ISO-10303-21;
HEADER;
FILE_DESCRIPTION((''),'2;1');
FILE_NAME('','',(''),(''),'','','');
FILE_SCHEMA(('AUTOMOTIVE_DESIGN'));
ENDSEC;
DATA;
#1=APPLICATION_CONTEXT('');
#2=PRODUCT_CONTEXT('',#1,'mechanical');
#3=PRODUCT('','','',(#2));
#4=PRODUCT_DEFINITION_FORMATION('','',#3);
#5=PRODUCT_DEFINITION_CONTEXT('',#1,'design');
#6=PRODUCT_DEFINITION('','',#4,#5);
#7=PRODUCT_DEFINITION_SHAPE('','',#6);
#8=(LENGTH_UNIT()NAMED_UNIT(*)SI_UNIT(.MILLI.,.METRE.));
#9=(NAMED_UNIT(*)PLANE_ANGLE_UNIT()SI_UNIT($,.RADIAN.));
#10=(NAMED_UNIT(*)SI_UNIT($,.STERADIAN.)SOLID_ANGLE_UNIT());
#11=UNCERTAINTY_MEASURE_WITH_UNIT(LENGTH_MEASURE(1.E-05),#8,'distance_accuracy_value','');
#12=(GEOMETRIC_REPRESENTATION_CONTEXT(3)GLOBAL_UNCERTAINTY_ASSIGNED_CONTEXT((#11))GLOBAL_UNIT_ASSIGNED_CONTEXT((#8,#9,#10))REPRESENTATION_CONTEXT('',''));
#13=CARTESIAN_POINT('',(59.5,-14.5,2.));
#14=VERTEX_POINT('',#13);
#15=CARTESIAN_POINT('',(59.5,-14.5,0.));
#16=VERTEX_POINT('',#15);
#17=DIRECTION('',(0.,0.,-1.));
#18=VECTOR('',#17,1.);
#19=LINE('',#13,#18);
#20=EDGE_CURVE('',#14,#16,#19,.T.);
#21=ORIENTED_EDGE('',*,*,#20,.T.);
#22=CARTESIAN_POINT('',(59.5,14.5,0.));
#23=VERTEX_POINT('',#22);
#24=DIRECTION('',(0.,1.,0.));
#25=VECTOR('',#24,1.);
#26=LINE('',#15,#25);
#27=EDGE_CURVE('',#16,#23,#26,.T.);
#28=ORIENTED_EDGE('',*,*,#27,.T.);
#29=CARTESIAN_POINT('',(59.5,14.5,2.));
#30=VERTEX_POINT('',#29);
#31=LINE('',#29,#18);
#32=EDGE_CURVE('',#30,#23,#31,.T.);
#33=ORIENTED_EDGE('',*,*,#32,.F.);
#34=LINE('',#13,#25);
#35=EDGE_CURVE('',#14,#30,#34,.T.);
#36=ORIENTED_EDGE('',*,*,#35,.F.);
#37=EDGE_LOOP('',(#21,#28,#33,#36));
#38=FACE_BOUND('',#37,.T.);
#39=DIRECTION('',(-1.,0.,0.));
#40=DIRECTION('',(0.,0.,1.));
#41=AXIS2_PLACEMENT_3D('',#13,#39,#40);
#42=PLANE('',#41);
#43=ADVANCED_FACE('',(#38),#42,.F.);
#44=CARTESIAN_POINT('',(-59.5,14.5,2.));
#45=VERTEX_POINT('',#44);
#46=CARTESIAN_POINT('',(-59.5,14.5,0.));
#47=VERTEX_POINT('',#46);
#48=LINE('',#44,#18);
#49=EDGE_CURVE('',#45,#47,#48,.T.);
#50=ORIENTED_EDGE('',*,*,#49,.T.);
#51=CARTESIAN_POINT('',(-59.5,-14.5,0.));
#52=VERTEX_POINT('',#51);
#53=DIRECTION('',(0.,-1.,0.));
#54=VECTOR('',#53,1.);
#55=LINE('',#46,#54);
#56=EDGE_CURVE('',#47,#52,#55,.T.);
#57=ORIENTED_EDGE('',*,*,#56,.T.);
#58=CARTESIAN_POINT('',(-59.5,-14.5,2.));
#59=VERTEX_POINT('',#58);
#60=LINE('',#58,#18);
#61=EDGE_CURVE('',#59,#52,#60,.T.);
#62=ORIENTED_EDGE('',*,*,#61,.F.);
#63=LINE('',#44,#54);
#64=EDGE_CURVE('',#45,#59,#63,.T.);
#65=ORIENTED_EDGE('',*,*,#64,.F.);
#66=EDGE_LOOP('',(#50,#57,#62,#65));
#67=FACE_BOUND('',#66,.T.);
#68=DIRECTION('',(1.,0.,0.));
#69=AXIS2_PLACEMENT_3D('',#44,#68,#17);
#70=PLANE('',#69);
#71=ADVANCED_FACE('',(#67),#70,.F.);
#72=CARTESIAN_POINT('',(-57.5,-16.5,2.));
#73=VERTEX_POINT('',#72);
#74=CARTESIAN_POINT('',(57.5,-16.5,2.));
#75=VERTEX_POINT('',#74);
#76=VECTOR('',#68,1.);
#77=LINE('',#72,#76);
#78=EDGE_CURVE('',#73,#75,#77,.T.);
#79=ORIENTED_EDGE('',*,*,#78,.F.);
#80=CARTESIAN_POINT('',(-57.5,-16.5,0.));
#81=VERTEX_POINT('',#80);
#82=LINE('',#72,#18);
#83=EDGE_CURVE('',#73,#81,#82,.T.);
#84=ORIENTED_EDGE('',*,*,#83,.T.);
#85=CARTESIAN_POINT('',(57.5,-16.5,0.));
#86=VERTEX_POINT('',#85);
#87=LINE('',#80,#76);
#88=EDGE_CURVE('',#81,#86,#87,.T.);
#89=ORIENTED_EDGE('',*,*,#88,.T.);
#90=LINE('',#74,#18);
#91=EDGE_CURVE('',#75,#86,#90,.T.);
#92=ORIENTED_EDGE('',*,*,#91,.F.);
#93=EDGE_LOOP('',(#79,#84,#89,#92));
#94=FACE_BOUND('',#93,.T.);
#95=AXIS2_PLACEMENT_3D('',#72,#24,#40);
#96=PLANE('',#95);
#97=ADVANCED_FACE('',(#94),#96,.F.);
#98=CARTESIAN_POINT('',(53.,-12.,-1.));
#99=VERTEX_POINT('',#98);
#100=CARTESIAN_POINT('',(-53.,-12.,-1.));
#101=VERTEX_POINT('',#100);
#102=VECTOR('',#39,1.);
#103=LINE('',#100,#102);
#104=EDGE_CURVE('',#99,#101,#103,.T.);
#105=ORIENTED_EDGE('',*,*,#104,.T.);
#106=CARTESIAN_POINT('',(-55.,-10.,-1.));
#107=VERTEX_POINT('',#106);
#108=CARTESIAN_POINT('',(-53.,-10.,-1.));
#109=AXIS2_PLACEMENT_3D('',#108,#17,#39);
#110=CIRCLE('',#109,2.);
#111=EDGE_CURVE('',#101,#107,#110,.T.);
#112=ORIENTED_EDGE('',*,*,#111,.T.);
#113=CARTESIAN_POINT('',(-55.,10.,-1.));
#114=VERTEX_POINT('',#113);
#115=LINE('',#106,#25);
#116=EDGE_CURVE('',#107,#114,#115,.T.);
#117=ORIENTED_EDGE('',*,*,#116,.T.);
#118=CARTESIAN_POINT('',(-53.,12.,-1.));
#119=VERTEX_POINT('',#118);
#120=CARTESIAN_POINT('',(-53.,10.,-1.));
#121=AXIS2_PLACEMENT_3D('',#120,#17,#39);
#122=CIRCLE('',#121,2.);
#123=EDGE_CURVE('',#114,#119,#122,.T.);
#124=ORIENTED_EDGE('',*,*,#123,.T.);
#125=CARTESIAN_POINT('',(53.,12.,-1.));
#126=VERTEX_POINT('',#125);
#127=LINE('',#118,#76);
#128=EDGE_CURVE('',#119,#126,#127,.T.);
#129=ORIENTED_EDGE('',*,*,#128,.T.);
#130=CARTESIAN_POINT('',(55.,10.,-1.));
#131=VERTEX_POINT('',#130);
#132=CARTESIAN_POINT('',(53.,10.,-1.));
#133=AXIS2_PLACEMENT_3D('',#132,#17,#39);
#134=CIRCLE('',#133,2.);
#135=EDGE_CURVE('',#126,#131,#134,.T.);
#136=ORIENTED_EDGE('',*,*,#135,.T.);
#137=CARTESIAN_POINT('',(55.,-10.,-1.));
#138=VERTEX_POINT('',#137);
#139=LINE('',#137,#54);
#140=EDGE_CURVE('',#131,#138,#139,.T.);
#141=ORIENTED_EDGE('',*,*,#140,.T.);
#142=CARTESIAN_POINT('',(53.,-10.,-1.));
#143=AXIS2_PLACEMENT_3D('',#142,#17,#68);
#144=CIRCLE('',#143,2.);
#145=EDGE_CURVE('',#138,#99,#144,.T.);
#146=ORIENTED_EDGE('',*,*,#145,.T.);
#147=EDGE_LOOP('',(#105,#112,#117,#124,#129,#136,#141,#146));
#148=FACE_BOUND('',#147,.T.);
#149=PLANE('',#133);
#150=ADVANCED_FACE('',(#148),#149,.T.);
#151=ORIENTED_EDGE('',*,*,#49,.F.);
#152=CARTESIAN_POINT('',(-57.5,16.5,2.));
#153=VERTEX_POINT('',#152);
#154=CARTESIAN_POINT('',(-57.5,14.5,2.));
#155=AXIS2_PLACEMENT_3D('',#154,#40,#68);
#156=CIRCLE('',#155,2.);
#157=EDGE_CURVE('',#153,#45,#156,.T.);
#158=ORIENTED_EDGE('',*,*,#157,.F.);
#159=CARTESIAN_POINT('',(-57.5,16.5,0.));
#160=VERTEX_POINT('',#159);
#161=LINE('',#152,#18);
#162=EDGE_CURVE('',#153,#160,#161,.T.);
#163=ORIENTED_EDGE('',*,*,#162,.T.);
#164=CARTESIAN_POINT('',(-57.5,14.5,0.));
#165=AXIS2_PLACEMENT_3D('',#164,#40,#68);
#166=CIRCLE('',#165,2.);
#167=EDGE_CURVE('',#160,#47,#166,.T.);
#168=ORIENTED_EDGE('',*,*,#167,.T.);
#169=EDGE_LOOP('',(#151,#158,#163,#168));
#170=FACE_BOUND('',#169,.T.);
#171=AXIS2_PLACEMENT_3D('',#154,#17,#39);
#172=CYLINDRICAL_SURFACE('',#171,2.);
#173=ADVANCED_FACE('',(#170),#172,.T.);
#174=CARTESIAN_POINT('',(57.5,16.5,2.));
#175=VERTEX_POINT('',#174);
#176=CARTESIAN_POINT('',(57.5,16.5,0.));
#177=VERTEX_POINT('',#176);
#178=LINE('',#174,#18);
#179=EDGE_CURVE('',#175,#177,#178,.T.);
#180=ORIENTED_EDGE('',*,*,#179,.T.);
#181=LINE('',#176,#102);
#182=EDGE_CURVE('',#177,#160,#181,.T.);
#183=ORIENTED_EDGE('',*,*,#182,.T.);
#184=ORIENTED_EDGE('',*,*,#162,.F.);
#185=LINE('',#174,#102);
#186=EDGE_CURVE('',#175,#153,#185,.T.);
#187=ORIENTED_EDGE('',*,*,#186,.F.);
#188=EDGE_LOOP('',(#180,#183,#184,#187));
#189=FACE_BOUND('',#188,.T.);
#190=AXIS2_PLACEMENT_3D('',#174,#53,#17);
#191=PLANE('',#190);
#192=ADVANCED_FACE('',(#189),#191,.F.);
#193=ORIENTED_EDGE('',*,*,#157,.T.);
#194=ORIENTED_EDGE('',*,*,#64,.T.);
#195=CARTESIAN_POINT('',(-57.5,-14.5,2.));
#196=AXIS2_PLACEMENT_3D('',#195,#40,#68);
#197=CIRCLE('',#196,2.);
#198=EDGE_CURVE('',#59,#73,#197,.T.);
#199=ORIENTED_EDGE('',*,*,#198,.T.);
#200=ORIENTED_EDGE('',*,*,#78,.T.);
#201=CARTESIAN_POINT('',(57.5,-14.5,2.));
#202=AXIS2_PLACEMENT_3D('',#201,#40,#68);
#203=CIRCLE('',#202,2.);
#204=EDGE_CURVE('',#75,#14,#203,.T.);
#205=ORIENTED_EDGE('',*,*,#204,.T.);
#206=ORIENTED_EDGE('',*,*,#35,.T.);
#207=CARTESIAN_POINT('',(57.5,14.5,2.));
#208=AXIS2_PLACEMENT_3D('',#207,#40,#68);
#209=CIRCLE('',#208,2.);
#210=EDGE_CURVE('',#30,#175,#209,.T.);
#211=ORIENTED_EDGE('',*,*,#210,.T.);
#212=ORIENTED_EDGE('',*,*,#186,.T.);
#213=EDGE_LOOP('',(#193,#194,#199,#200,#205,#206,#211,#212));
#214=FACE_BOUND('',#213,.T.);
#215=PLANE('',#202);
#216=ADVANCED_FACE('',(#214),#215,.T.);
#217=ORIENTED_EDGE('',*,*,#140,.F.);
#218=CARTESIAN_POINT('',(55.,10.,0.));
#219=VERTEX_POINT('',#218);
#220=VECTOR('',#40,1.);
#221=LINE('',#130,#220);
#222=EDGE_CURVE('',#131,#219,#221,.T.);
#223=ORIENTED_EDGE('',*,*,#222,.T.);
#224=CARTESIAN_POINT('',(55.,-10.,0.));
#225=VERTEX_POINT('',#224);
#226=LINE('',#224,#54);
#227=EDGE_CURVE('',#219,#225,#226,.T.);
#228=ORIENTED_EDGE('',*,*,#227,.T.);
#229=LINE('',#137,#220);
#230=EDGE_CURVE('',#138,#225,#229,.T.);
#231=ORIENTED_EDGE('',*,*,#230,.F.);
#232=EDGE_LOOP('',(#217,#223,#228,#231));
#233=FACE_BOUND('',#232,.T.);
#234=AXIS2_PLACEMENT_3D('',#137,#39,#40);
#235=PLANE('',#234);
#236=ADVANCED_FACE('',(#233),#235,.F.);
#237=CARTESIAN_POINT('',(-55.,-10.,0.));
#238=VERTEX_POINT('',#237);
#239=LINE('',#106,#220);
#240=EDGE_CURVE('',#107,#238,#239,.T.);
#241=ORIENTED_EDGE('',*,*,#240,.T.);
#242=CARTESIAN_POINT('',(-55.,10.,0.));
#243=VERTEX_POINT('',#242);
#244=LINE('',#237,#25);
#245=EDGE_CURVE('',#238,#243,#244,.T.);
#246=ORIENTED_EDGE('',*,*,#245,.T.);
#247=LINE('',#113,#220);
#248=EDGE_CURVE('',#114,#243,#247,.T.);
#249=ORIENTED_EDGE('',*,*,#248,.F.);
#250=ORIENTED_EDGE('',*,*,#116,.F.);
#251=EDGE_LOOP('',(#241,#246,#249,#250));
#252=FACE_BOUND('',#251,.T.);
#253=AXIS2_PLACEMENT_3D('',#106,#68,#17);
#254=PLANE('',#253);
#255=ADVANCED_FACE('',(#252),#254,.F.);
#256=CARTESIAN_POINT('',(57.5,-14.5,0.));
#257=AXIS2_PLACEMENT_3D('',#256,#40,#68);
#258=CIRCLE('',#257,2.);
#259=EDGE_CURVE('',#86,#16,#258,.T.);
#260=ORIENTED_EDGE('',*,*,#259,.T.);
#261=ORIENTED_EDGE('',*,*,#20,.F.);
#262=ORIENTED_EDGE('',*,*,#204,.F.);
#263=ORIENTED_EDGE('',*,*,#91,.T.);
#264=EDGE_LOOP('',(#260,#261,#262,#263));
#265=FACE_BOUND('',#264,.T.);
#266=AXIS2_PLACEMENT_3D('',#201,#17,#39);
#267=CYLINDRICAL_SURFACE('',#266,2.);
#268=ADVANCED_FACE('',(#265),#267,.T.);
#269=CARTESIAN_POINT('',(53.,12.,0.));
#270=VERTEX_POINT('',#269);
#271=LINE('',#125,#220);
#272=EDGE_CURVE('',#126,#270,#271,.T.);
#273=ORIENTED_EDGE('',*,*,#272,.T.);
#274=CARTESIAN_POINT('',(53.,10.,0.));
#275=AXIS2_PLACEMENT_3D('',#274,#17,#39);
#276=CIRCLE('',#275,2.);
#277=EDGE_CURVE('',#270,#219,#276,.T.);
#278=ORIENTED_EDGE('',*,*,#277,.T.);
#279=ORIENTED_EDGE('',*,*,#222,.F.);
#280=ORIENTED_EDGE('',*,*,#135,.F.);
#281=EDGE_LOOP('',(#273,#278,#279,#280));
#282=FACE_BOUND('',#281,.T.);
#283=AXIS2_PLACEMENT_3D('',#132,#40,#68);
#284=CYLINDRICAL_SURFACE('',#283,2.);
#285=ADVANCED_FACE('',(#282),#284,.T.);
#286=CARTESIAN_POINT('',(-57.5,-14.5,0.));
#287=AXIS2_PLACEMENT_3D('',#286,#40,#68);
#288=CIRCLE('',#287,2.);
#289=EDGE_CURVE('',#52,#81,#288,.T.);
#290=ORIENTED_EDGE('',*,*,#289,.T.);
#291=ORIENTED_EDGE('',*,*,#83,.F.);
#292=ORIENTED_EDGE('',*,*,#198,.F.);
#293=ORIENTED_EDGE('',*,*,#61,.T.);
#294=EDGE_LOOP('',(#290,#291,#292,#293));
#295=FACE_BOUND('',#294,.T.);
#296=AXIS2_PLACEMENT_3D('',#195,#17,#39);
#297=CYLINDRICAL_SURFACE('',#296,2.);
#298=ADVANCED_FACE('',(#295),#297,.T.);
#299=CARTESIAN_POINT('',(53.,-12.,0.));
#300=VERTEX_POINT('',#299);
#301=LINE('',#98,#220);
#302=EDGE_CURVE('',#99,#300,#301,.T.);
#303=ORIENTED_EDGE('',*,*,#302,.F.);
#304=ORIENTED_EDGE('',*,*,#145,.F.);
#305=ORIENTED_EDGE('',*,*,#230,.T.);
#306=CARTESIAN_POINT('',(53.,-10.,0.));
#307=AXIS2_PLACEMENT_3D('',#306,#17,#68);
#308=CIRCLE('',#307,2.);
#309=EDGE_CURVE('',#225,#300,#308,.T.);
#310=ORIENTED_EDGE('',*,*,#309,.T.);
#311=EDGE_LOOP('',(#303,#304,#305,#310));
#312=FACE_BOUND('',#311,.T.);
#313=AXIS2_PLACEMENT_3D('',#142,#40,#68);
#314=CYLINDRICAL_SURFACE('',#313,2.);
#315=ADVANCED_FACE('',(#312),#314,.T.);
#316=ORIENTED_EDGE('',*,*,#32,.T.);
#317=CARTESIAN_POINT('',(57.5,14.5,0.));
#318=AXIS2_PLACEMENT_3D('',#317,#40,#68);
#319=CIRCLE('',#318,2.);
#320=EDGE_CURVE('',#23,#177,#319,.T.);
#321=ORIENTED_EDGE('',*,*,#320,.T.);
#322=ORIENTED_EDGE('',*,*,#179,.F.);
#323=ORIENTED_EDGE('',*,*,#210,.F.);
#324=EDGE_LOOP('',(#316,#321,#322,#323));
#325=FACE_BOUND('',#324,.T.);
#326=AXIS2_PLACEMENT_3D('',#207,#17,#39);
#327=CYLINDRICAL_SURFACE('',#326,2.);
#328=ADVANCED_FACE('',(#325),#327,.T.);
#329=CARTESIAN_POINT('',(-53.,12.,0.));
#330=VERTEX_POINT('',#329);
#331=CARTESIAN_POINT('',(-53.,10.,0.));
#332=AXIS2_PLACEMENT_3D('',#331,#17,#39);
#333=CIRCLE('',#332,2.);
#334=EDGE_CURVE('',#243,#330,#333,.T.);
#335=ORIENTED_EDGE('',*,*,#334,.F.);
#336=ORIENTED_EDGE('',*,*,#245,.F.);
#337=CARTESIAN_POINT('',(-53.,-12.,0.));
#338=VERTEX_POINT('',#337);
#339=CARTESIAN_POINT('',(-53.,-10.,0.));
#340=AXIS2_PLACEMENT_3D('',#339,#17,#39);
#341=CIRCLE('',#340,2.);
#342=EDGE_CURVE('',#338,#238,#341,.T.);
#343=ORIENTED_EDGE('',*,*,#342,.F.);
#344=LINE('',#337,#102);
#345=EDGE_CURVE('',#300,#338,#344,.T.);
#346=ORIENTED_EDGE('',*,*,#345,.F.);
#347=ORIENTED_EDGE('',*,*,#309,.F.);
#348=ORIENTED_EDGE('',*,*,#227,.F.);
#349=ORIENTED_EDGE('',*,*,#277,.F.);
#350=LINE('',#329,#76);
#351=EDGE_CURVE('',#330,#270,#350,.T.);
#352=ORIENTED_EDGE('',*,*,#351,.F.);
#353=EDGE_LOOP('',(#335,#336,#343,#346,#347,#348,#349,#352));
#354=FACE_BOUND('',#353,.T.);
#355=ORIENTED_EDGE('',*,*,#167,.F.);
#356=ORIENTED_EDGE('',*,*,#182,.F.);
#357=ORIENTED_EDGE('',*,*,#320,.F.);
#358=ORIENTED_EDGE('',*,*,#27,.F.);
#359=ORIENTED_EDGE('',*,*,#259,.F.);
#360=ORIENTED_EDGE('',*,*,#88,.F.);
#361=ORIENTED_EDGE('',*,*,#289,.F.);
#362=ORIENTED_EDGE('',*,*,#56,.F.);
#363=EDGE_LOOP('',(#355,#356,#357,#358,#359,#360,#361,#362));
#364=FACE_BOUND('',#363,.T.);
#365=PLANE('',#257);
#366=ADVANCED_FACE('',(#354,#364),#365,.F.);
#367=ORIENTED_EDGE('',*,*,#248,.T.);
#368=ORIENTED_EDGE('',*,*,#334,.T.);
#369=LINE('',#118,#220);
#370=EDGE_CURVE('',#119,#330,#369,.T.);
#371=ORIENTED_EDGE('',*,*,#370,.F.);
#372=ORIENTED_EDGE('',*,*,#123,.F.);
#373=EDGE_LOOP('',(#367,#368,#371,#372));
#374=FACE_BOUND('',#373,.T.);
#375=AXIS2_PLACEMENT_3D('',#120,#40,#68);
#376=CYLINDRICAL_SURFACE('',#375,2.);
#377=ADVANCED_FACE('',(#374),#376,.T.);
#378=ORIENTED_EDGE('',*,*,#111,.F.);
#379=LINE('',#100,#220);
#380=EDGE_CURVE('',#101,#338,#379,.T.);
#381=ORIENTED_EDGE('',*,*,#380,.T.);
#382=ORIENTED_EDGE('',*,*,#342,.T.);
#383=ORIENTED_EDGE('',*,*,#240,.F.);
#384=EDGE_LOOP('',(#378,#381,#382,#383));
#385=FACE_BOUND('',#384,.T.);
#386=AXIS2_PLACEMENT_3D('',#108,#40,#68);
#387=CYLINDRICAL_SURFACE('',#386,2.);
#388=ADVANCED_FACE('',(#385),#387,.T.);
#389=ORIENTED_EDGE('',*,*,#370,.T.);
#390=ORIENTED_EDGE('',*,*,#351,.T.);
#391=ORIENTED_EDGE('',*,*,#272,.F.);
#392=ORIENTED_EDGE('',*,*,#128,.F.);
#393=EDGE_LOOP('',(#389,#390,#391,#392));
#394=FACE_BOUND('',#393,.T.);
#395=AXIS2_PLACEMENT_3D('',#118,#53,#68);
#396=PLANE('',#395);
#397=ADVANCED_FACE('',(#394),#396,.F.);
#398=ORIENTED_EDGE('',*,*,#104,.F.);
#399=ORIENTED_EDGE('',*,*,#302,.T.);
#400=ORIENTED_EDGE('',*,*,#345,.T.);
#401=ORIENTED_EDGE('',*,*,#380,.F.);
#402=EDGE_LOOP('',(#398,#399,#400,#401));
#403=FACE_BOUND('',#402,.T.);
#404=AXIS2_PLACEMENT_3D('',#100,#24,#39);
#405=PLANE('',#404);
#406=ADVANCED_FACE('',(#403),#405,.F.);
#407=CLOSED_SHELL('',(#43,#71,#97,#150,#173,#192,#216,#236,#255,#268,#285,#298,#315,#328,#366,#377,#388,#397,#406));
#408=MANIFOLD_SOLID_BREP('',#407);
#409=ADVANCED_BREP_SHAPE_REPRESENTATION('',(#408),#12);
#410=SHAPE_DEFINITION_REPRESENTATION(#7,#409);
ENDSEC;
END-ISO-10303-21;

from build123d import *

# Parameters (mm, degrees)
DODANIE_WYCI_GNI_CIE1_DEPTH = 2
DODANIE_WYCI_GNI_CIE2_DEPTH = 1


with BuildPart() as part:
    # Szkic1 → Dodanie-wyciągnięcie1 (new body)
    with BuildSketch(Plane.XY):
        with BuildLine():
            Line((-57.5, -16.5), (57.5, -16.5))
            ThreePointArc((57.5, -16.5), (58.914213562, -15.914213562), (59.5, -14.5))
            Line((59.5, -14.5), (59.5, 14.5))
            ThreePointArc((59.5, 14.5), (58.914213562, 15.914213562), (57.5, 16.5))
            Line((57.5, 16.5), (-57.5, 16.5))
            ThreePointArc((-57.5, 16.5), (-58.914213562, 15.914213562), (-59.5, 14.5))
            Line((-59.5, 14.5), (-59.5, -14.5))
            ThreePointArc((-59.5, -14.5), (-58.914213562, -15.914213562), (-57.5, -16.5))
        make_face()
    extrude(amount=DODANIE_WYCI_GNI_CIE1_DEPTH)

    # Szkic4 → Dodanie-wyciągnięcie2 (add)
    with BuildSketch(Plane(origin=(0, 0, 0), x_dir=(-1, 0, 0), z_dir=(0, 0, -1))):
        with BuildLine():
            Line((53, -12), (-53, -12))
            ThreePointArc((-53, -12), (-54.414213562, -11.414213562), (-55, -10))
            Line((-55, -10), (-55, 10))
            ThreePointArc((-55, 10), (-54.414213562, 11.414213562), (-53, 12))
            Line((-53, 12), (53, 12))
            ThreePointArc((53, 12), (54.414213562, 11.414213562), (55, 10))
            Line((55, 10), (55, -10))
            ThreePointArc((55, -10), (54.414213562, -11.414213562), (53, -12))
        make_face()
    extrude(amount=DODANIE_WYCI_GNI_CIE2_DEPTH)


solid = part.part
